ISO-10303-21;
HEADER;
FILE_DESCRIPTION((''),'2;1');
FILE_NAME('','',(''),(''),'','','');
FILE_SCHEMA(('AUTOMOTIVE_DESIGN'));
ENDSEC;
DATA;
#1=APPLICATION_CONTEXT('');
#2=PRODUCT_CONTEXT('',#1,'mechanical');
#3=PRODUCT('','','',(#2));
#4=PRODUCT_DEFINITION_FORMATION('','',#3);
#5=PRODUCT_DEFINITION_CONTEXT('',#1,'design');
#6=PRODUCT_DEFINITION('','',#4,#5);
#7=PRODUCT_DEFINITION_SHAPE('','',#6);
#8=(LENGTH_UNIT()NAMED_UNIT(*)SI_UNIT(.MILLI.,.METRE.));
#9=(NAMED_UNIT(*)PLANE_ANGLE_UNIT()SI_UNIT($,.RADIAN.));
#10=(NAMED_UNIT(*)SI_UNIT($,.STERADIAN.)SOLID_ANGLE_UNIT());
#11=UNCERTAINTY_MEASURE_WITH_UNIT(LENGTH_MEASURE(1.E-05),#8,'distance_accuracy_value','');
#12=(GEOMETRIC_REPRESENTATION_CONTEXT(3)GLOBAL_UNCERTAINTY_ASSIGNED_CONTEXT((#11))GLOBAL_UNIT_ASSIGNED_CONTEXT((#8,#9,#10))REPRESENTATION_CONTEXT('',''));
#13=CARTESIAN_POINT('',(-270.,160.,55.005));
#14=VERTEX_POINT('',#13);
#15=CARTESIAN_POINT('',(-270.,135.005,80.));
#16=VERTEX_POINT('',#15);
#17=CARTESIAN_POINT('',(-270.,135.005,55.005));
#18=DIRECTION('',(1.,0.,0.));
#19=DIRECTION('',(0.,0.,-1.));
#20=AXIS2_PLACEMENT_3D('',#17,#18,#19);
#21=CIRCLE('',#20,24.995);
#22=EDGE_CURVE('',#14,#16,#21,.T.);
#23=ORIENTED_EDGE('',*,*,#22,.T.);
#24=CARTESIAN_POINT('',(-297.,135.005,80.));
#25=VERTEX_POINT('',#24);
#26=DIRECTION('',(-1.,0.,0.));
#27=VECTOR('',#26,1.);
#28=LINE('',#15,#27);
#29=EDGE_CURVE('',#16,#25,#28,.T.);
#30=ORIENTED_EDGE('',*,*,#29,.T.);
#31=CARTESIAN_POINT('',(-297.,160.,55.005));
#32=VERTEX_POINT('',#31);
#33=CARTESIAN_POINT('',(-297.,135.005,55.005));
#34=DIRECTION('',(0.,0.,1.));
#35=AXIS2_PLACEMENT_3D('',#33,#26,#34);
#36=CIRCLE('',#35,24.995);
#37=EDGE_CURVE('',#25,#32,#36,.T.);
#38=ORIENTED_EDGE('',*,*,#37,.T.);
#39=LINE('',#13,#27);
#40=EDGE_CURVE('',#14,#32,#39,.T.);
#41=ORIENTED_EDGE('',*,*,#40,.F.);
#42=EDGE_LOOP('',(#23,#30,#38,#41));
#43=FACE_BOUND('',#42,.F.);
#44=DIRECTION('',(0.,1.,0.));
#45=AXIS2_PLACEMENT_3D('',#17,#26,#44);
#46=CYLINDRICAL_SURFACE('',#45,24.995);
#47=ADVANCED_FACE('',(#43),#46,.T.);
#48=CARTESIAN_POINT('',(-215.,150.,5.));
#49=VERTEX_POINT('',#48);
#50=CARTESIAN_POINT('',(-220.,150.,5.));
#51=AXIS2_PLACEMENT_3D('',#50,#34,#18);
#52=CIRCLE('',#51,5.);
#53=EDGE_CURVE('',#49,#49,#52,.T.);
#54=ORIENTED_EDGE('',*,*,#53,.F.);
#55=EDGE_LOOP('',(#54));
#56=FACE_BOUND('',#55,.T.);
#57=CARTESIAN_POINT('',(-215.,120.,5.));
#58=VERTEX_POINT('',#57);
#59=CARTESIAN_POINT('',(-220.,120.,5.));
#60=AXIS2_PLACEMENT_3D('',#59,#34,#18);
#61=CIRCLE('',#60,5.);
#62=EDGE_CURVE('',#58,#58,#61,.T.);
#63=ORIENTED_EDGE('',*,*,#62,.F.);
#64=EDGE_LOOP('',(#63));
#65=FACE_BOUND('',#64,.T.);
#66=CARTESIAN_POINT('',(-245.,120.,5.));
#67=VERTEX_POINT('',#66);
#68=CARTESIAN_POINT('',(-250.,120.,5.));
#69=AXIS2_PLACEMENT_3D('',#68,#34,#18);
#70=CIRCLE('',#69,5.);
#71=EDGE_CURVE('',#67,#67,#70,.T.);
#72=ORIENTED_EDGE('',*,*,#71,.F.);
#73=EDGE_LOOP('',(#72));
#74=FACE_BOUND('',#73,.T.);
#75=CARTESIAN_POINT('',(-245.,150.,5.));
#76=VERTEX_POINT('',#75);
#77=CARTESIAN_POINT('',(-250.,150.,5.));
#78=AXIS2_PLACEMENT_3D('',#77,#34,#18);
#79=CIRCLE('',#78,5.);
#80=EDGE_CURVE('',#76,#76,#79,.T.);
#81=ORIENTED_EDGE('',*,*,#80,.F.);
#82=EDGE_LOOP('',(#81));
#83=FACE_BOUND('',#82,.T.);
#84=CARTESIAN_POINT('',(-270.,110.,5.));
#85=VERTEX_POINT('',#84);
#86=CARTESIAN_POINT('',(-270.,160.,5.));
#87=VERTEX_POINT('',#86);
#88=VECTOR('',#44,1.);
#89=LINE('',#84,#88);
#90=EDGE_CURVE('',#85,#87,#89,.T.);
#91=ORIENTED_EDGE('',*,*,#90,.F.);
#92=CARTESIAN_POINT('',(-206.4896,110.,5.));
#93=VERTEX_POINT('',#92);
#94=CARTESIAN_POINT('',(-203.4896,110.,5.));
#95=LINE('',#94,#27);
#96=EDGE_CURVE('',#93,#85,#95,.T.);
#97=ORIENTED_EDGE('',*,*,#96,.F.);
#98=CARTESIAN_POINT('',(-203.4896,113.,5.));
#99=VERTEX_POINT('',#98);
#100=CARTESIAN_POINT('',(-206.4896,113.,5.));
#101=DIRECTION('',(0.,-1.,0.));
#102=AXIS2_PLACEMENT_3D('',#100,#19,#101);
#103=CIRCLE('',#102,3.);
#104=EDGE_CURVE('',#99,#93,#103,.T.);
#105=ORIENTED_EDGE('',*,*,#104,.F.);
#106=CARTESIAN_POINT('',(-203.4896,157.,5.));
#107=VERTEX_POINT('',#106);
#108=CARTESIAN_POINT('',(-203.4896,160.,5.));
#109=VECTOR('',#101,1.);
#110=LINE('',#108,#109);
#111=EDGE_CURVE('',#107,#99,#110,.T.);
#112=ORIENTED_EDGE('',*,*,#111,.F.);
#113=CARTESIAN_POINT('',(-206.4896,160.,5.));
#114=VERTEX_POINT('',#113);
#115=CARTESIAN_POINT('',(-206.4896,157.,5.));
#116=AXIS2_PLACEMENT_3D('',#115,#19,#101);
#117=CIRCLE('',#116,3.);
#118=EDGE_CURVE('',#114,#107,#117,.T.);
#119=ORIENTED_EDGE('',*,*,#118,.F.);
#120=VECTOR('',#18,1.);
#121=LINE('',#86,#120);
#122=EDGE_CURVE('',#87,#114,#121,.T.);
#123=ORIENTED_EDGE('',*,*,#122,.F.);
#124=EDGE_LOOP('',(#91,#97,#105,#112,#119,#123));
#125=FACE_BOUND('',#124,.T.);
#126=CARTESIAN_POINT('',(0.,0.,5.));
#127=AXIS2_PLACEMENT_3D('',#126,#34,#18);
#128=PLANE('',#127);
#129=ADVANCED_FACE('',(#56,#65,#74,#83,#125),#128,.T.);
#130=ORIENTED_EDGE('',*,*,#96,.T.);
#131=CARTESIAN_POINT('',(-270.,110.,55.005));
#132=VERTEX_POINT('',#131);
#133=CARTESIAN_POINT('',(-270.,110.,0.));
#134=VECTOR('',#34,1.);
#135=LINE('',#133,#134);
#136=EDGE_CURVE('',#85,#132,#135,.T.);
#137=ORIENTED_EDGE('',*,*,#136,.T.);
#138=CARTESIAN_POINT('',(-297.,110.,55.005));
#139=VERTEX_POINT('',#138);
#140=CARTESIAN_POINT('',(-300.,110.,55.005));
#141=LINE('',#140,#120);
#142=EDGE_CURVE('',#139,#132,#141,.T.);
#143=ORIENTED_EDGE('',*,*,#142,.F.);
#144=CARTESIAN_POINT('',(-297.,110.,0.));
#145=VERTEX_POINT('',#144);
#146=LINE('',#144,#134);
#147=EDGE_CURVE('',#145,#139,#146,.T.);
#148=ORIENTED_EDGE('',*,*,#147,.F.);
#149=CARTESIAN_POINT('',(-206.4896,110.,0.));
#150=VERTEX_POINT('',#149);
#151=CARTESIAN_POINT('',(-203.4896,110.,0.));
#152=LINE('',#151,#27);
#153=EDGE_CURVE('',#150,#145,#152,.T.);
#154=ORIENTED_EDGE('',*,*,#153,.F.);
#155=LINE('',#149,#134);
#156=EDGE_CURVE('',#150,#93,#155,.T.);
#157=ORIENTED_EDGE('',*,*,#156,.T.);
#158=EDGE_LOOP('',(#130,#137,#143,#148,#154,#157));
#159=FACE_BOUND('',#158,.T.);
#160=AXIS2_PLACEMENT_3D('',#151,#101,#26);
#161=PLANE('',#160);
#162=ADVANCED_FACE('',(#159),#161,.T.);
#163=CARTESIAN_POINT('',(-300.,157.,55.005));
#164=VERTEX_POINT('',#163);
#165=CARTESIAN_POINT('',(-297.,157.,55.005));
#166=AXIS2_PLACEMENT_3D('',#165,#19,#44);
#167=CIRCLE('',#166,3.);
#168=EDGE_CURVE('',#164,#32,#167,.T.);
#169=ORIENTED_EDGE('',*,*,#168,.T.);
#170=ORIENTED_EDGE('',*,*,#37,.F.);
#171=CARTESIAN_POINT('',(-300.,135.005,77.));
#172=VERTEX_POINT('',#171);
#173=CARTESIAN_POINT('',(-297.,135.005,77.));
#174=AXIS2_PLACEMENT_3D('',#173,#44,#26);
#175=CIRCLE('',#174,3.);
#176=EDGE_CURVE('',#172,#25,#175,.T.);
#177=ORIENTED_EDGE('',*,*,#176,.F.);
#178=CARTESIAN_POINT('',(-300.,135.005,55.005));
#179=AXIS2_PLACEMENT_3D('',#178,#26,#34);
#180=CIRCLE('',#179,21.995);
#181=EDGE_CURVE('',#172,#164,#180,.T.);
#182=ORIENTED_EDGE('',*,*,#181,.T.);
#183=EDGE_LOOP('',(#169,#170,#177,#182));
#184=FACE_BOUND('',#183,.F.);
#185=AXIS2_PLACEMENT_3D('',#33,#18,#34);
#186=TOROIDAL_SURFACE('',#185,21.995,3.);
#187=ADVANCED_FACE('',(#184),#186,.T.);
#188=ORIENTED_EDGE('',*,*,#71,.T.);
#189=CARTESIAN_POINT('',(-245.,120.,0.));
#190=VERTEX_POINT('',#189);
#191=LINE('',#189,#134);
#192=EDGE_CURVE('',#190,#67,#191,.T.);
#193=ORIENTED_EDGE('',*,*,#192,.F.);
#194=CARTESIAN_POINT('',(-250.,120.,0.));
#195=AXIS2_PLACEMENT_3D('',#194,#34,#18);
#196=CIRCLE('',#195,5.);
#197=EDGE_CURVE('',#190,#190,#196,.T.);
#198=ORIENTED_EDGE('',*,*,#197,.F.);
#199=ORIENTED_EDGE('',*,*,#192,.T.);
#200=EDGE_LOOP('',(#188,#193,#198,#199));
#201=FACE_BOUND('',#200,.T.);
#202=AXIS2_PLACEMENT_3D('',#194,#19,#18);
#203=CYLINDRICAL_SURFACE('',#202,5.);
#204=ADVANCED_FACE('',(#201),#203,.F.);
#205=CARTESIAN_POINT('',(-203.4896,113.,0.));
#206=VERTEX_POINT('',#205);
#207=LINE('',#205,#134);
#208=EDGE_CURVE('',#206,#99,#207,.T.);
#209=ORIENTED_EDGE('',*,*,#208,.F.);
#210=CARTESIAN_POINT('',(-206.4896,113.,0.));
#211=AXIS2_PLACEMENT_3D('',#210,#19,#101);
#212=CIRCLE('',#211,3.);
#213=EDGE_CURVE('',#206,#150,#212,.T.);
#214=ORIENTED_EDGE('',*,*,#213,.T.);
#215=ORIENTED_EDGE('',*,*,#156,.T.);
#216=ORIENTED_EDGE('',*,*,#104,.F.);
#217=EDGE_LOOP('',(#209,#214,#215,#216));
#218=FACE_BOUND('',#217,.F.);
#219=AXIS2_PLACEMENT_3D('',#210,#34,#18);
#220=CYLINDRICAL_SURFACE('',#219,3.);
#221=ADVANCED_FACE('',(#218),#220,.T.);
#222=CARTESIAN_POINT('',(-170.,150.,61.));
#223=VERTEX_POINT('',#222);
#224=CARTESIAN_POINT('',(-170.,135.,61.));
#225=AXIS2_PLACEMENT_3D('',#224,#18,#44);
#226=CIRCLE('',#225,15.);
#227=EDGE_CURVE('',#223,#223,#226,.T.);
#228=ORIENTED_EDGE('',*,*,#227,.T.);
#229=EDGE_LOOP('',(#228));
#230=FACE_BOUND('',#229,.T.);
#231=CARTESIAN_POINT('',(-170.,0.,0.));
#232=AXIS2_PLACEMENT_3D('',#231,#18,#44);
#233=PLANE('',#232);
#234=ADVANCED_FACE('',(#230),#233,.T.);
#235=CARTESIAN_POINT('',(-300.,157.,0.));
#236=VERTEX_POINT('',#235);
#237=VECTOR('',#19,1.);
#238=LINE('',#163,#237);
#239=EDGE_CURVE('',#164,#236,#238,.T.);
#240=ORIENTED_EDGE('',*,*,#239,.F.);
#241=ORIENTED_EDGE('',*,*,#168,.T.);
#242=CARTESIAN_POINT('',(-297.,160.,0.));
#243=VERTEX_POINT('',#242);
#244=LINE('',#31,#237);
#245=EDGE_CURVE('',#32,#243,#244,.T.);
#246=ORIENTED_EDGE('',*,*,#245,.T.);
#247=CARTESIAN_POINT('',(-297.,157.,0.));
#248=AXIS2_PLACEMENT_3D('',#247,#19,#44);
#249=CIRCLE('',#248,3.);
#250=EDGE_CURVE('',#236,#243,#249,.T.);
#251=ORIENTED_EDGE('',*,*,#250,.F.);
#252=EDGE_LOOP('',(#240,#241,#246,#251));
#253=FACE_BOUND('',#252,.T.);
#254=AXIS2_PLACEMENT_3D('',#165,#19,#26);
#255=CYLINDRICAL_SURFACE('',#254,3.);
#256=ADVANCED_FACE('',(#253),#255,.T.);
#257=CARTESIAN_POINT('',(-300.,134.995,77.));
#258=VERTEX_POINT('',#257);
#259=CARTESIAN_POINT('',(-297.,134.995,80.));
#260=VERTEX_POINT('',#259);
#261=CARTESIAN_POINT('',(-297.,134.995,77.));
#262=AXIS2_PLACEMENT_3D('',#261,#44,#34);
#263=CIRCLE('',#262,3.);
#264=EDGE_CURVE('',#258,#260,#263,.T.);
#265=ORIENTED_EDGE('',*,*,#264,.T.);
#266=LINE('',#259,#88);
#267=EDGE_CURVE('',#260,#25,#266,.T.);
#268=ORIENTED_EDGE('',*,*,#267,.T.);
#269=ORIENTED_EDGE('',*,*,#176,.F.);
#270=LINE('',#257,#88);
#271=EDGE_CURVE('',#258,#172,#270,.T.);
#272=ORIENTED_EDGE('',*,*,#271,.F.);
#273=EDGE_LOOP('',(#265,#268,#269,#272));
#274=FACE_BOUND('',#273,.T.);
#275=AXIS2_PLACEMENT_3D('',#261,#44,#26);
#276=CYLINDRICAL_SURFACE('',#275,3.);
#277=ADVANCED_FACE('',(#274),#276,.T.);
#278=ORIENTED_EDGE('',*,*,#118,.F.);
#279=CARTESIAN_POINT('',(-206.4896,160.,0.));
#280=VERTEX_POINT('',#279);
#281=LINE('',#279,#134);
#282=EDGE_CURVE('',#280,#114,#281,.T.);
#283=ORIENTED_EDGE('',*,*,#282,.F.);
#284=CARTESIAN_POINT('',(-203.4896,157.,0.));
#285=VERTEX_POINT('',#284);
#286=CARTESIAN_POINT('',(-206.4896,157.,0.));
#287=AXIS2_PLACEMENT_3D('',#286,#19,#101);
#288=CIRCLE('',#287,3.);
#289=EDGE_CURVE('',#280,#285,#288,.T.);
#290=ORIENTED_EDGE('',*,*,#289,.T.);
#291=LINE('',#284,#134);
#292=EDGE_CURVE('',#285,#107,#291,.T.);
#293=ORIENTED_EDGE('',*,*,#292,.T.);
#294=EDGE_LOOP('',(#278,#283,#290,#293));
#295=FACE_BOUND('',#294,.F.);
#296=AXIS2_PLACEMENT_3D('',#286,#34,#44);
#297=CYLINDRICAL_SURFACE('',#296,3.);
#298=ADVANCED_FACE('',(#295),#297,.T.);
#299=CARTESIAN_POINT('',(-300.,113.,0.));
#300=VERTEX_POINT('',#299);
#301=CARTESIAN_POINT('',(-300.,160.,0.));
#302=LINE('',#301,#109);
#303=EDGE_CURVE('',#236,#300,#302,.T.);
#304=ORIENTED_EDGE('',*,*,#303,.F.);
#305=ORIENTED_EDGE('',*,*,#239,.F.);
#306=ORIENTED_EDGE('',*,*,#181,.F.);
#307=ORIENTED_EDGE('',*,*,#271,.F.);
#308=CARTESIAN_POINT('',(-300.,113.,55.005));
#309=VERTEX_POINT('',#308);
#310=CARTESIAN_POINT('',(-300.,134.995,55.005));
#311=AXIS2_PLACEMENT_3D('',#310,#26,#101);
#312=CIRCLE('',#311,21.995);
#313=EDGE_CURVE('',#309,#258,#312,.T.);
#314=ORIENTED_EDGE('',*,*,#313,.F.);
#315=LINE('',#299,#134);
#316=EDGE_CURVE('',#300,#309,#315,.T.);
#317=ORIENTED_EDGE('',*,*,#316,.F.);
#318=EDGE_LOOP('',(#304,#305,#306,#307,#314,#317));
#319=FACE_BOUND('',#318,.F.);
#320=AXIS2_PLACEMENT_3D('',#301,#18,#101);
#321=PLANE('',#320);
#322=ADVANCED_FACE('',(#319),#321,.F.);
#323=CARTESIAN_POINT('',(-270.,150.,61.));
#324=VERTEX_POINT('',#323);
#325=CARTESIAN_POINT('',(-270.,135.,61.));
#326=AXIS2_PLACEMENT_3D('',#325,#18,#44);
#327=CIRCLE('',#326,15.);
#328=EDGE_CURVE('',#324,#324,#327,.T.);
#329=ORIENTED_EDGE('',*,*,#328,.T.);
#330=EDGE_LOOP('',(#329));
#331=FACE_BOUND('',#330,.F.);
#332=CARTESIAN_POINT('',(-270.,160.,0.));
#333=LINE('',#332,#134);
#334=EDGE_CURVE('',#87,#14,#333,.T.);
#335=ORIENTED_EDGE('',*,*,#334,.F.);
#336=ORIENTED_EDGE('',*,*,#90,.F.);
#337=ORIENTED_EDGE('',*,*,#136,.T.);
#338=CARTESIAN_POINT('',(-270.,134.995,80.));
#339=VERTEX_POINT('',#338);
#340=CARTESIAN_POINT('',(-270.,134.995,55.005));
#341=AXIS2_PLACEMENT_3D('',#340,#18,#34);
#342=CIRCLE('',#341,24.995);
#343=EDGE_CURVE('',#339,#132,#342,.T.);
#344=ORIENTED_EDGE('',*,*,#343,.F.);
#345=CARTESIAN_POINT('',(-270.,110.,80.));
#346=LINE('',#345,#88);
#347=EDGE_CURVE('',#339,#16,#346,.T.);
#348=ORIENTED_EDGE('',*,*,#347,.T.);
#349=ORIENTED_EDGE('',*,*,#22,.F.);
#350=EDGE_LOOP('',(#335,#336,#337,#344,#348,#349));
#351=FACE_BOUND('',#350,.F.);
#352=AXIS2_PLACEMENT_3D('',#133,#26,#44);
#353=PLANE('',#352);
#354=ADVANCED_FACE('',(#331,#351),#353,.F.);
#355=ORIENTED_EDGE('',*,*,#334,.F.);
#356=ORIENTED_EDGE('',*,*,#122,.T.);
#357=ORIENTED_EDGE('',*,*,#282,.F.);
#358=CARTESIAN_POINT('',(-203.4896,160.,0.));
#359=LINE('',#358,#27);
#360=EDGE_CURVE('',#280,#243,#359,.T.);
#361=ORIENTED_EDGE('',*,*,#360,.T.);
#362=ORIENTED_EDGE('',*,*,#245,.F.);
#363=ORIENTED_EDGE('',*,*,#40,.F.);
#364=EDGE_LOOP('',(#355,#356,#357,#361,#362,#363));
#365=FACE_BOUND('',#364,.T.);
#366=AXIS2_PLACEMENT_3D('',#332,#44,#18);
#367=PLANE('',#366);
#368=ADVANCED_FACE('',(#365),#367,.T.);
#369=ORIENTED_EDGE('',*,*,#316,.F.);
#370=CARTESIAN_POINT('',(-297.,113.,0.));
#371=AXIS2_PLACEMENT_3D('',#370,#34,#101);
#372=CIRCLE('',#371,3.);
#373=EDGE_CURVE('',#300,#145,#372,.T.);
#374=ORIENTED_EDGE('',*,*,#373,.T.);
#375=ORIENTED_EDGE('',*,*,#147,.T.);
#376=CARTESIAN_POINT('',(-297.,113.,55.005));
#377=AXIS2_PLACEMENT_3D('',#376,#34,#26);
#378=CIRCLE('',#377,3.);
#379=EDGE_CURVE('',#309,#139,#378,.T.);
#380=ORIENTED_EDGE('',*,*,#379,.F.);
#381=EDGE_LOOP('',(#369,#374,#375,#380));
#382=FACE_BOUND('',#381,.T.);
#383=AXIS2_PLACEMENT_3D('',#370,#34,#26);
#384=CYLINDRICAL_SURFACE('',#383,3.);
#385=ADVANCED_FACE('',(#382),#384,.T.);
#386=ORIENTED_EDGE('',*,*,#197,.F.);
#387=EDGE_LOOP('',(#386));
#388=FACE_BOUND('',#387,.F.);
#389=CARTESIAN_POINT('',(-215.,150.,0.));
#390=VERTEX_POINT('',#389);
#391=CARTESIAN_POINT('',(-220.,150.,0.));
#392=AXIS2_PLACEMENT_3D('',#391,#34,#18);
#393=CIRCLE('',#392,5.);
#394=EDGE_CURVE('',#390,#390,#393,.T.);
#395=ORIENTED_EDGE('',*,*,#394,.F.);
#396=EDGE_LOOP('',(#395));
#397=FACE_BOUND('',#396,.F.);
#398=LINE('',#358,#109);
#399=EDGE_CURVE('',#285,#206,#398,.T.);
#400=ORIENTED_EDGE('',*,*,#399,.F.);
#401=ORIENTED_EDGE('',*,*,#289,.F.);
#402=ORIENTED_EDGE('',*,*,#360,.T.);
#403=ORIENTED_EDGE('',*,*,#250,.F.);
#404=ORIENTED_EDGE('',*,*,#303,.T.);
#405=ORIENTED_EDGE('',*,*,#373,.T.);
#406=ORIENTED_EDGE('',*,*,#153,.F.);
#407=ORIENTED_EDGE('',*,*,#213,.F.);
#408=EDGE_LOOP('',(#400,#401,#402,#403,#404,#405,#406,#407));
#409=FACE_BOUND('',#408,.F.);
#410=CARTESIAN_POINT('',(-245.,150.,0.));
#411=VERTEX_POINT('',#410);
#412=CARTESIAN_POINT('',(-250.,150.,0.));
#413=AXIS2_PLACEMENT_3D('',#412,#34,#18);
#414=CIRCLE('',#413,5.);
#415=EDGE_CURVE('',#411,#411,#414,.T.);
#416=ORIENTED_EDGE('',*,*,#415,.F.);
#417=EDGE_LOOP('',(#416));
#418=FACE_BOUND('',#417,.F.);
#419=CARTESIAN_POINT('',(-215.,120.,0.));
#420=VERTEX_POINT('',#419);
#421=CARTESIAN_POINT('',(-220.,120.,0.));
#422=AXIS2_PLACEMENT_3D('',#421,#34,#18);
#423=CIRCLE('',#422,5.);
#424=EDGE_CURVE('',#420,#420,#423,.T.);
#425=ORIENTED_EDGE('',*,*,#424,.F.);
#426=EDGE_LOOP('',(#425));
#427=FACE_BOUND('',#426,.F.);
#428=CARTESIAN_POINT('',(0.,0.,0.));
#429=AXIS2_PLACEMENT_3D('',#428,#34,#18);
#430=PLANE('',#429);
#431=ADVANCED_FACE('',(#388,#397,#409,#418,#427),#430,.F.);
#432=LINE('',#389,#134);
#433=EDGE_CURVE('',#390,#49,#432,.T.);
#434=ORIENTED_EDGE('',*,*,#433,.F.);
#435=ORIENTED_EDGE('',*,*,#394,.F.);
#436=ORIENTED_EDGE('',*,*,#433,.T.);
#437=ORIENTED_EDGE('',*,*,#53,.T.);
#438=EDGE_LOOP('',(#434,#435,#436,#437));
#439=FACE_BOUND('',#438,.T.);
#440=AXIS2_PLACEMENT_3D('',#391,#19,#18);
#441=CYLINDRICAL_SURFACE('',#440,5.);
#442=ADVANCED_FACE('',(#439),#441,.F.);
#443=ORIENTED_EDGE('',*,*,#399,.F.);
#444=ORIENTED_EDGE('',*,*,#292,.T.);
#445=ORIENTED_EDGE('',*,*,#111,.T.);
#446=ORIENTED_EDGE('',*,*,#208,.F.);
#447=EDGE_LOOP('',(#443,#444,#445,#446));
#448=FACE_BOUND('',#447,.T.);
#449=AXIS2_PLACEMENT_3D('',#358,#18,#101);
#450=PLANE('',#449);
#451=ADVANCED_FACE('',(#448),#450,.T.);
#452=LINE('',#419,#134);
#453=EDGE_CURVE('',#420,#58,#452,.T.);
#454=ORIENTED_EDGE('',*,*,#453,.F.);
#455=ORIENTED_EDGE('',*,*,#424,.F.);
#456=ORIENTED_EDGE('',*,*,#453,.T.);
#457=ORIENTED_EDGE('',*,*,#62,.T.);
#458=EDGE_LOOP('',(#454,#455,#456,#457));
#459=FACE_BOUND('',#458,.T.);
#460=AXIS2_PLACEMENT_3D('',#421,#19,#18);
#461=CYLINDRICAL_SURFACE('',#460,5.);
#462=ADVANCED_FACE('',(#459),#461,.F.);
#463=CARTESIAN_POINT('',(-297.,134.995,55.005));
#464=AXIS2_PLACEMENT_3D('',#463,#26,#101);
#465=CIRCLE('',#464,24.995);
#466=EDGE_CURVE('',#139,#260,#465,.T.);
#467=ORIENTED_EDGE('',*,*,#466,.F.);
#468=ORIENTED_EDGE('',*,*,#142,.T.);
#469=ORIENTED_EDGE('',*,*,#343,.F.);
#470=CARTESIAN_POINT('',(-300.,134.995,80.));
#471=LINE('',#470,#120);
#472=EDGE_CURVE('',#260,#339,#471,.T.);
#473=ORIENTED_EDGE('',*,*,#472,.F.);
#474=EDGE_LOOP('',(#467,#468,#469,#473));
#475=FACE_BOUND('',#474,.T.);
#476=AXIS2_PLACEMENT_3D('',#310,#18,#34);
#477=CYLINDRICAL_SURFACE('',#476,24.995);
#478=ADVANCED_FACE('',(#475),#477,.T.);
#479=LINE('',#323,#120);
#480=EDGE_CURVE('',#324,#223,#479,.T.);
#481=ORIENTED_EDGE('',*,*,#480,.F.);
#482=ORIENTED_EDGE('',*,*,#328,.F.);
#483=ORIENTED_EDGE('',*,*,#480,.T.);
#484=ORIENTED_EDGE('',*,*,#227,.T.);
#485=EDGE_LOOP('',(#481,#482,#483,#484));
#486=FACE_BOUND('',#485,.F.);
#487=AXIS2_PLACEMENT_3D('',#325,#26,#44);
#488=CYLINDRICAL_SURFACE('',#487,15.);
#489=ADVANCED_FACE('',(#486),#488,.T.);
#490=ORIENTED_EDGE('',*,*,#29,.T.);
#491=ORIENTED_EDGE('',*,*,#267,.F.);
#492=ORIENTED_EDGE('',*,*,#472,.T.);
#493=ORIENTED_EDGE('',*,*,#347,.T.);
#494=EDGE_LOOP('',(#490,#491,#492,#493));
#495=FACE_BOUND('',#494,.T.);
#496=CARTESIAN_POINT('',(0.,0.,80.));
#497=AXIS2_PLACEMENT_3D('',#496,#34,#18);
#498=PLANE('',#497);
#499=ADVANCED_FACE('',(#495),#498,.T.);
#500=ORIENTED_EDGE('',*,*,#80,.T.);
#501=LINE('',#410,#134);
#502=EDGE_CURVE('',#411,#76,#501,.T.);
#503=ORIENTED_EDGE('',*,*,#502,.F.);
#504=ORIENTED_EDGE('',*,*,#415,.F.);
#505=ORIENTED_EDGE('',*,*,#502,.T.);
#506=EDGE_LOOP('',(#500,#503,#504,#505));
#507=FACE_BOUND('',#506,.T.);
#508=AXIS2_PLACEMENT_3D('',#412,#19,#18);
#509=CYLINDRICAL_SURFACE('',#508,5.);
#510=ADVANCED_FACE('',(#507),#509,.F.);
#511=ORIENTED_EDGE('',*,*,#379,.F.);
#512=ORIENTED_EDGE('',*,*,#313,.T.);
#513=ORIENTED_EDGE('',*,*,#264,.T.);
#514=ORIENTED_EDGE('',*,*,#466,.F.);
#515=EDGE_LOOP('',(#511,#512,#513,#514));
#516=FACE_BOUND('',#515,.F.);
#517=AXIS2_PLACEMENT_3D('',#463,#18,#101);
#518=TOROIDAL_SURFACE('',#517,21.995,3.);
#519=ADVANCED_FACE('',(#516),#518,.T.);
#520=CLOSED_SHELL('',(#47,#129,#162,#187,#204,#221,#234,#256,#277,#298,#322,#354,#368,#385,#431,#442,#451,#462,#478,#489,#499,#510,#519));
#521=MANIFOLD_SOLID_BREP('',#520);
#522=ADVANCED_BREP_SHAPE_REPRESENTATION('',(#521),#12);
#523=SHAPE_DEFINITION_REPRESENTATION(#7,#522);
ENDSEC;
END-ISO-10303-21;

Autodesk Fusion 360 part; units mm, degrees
sketch "Sketch3" plane through (0, 0, 0) normal (0, 0, 1) x (1, 0, 0)
  circle A0 centre (-250, 150) radius 5
  circle A1 centre (-220, 150) radius 5
  circle A2 centre (-250, 120) radius 5
  circle A3 centre (-220, 120) radius 5
  line L0 (-270, 160) -> (-203.4896, 160)
  line L1 (-203.4896, 160) -> (-203.4896, 110)
  line L2 (-203.4896, 110) -> (-270, 110)
  line L3 (-270, 110) -> (-270, 160)
  line L4 (-270, 160) -> (-300, 160)
  line L5 (-300, 160) -> (-300, 110)
  line L6 (-300, 110) -> (-270, 110)
  line L7 (-270, 110) -> (-270, 160)
  dimension "d13" = 10
  dimension "d14" = 10
  dimension "d15" = 10
  dimension "d16" = 10
extrude "Extrude1" add sketch "Sketch3" along normal blind 5 contours L0 L1 L2 L3 L7
extrude "Extrude2" add sketch "Sketch3" along normal blind 80 contours L3 L4 L5 L6 L7
sketch "Sketch6" plane through (-270, 0, 0) normal (1, 0, 0) x (0, 1, 0)
  line L0 (110, 5) -> (160, 5)
  line L1 (160, 5) -> (160, 80)
  line L2 (160, 80) -> (110, 80)
  line L3 (110, 80) -> (110, 0)
  circle A0 centre (135, 61) radius 15
  line L4 (110, 0) -> (110, 0)
  line L5 (110, 0) -> (110, 5)
  dimension "d6" = 30
extrude "Extrude3" add sketch "Sketch6" along normal blind 100 contours A0
fillet "Fillet1" radius 25 2 edges at (-285, 160, 80) (-285, 110, 80)
fillet "Fillet3" radius 3 5 edges at (-203.4896, 160, 2.5) (-203.4896, 110, 2.5) (-300, 110, 27.5) (-300, 135, 80) (-300, 160, 27.5)
